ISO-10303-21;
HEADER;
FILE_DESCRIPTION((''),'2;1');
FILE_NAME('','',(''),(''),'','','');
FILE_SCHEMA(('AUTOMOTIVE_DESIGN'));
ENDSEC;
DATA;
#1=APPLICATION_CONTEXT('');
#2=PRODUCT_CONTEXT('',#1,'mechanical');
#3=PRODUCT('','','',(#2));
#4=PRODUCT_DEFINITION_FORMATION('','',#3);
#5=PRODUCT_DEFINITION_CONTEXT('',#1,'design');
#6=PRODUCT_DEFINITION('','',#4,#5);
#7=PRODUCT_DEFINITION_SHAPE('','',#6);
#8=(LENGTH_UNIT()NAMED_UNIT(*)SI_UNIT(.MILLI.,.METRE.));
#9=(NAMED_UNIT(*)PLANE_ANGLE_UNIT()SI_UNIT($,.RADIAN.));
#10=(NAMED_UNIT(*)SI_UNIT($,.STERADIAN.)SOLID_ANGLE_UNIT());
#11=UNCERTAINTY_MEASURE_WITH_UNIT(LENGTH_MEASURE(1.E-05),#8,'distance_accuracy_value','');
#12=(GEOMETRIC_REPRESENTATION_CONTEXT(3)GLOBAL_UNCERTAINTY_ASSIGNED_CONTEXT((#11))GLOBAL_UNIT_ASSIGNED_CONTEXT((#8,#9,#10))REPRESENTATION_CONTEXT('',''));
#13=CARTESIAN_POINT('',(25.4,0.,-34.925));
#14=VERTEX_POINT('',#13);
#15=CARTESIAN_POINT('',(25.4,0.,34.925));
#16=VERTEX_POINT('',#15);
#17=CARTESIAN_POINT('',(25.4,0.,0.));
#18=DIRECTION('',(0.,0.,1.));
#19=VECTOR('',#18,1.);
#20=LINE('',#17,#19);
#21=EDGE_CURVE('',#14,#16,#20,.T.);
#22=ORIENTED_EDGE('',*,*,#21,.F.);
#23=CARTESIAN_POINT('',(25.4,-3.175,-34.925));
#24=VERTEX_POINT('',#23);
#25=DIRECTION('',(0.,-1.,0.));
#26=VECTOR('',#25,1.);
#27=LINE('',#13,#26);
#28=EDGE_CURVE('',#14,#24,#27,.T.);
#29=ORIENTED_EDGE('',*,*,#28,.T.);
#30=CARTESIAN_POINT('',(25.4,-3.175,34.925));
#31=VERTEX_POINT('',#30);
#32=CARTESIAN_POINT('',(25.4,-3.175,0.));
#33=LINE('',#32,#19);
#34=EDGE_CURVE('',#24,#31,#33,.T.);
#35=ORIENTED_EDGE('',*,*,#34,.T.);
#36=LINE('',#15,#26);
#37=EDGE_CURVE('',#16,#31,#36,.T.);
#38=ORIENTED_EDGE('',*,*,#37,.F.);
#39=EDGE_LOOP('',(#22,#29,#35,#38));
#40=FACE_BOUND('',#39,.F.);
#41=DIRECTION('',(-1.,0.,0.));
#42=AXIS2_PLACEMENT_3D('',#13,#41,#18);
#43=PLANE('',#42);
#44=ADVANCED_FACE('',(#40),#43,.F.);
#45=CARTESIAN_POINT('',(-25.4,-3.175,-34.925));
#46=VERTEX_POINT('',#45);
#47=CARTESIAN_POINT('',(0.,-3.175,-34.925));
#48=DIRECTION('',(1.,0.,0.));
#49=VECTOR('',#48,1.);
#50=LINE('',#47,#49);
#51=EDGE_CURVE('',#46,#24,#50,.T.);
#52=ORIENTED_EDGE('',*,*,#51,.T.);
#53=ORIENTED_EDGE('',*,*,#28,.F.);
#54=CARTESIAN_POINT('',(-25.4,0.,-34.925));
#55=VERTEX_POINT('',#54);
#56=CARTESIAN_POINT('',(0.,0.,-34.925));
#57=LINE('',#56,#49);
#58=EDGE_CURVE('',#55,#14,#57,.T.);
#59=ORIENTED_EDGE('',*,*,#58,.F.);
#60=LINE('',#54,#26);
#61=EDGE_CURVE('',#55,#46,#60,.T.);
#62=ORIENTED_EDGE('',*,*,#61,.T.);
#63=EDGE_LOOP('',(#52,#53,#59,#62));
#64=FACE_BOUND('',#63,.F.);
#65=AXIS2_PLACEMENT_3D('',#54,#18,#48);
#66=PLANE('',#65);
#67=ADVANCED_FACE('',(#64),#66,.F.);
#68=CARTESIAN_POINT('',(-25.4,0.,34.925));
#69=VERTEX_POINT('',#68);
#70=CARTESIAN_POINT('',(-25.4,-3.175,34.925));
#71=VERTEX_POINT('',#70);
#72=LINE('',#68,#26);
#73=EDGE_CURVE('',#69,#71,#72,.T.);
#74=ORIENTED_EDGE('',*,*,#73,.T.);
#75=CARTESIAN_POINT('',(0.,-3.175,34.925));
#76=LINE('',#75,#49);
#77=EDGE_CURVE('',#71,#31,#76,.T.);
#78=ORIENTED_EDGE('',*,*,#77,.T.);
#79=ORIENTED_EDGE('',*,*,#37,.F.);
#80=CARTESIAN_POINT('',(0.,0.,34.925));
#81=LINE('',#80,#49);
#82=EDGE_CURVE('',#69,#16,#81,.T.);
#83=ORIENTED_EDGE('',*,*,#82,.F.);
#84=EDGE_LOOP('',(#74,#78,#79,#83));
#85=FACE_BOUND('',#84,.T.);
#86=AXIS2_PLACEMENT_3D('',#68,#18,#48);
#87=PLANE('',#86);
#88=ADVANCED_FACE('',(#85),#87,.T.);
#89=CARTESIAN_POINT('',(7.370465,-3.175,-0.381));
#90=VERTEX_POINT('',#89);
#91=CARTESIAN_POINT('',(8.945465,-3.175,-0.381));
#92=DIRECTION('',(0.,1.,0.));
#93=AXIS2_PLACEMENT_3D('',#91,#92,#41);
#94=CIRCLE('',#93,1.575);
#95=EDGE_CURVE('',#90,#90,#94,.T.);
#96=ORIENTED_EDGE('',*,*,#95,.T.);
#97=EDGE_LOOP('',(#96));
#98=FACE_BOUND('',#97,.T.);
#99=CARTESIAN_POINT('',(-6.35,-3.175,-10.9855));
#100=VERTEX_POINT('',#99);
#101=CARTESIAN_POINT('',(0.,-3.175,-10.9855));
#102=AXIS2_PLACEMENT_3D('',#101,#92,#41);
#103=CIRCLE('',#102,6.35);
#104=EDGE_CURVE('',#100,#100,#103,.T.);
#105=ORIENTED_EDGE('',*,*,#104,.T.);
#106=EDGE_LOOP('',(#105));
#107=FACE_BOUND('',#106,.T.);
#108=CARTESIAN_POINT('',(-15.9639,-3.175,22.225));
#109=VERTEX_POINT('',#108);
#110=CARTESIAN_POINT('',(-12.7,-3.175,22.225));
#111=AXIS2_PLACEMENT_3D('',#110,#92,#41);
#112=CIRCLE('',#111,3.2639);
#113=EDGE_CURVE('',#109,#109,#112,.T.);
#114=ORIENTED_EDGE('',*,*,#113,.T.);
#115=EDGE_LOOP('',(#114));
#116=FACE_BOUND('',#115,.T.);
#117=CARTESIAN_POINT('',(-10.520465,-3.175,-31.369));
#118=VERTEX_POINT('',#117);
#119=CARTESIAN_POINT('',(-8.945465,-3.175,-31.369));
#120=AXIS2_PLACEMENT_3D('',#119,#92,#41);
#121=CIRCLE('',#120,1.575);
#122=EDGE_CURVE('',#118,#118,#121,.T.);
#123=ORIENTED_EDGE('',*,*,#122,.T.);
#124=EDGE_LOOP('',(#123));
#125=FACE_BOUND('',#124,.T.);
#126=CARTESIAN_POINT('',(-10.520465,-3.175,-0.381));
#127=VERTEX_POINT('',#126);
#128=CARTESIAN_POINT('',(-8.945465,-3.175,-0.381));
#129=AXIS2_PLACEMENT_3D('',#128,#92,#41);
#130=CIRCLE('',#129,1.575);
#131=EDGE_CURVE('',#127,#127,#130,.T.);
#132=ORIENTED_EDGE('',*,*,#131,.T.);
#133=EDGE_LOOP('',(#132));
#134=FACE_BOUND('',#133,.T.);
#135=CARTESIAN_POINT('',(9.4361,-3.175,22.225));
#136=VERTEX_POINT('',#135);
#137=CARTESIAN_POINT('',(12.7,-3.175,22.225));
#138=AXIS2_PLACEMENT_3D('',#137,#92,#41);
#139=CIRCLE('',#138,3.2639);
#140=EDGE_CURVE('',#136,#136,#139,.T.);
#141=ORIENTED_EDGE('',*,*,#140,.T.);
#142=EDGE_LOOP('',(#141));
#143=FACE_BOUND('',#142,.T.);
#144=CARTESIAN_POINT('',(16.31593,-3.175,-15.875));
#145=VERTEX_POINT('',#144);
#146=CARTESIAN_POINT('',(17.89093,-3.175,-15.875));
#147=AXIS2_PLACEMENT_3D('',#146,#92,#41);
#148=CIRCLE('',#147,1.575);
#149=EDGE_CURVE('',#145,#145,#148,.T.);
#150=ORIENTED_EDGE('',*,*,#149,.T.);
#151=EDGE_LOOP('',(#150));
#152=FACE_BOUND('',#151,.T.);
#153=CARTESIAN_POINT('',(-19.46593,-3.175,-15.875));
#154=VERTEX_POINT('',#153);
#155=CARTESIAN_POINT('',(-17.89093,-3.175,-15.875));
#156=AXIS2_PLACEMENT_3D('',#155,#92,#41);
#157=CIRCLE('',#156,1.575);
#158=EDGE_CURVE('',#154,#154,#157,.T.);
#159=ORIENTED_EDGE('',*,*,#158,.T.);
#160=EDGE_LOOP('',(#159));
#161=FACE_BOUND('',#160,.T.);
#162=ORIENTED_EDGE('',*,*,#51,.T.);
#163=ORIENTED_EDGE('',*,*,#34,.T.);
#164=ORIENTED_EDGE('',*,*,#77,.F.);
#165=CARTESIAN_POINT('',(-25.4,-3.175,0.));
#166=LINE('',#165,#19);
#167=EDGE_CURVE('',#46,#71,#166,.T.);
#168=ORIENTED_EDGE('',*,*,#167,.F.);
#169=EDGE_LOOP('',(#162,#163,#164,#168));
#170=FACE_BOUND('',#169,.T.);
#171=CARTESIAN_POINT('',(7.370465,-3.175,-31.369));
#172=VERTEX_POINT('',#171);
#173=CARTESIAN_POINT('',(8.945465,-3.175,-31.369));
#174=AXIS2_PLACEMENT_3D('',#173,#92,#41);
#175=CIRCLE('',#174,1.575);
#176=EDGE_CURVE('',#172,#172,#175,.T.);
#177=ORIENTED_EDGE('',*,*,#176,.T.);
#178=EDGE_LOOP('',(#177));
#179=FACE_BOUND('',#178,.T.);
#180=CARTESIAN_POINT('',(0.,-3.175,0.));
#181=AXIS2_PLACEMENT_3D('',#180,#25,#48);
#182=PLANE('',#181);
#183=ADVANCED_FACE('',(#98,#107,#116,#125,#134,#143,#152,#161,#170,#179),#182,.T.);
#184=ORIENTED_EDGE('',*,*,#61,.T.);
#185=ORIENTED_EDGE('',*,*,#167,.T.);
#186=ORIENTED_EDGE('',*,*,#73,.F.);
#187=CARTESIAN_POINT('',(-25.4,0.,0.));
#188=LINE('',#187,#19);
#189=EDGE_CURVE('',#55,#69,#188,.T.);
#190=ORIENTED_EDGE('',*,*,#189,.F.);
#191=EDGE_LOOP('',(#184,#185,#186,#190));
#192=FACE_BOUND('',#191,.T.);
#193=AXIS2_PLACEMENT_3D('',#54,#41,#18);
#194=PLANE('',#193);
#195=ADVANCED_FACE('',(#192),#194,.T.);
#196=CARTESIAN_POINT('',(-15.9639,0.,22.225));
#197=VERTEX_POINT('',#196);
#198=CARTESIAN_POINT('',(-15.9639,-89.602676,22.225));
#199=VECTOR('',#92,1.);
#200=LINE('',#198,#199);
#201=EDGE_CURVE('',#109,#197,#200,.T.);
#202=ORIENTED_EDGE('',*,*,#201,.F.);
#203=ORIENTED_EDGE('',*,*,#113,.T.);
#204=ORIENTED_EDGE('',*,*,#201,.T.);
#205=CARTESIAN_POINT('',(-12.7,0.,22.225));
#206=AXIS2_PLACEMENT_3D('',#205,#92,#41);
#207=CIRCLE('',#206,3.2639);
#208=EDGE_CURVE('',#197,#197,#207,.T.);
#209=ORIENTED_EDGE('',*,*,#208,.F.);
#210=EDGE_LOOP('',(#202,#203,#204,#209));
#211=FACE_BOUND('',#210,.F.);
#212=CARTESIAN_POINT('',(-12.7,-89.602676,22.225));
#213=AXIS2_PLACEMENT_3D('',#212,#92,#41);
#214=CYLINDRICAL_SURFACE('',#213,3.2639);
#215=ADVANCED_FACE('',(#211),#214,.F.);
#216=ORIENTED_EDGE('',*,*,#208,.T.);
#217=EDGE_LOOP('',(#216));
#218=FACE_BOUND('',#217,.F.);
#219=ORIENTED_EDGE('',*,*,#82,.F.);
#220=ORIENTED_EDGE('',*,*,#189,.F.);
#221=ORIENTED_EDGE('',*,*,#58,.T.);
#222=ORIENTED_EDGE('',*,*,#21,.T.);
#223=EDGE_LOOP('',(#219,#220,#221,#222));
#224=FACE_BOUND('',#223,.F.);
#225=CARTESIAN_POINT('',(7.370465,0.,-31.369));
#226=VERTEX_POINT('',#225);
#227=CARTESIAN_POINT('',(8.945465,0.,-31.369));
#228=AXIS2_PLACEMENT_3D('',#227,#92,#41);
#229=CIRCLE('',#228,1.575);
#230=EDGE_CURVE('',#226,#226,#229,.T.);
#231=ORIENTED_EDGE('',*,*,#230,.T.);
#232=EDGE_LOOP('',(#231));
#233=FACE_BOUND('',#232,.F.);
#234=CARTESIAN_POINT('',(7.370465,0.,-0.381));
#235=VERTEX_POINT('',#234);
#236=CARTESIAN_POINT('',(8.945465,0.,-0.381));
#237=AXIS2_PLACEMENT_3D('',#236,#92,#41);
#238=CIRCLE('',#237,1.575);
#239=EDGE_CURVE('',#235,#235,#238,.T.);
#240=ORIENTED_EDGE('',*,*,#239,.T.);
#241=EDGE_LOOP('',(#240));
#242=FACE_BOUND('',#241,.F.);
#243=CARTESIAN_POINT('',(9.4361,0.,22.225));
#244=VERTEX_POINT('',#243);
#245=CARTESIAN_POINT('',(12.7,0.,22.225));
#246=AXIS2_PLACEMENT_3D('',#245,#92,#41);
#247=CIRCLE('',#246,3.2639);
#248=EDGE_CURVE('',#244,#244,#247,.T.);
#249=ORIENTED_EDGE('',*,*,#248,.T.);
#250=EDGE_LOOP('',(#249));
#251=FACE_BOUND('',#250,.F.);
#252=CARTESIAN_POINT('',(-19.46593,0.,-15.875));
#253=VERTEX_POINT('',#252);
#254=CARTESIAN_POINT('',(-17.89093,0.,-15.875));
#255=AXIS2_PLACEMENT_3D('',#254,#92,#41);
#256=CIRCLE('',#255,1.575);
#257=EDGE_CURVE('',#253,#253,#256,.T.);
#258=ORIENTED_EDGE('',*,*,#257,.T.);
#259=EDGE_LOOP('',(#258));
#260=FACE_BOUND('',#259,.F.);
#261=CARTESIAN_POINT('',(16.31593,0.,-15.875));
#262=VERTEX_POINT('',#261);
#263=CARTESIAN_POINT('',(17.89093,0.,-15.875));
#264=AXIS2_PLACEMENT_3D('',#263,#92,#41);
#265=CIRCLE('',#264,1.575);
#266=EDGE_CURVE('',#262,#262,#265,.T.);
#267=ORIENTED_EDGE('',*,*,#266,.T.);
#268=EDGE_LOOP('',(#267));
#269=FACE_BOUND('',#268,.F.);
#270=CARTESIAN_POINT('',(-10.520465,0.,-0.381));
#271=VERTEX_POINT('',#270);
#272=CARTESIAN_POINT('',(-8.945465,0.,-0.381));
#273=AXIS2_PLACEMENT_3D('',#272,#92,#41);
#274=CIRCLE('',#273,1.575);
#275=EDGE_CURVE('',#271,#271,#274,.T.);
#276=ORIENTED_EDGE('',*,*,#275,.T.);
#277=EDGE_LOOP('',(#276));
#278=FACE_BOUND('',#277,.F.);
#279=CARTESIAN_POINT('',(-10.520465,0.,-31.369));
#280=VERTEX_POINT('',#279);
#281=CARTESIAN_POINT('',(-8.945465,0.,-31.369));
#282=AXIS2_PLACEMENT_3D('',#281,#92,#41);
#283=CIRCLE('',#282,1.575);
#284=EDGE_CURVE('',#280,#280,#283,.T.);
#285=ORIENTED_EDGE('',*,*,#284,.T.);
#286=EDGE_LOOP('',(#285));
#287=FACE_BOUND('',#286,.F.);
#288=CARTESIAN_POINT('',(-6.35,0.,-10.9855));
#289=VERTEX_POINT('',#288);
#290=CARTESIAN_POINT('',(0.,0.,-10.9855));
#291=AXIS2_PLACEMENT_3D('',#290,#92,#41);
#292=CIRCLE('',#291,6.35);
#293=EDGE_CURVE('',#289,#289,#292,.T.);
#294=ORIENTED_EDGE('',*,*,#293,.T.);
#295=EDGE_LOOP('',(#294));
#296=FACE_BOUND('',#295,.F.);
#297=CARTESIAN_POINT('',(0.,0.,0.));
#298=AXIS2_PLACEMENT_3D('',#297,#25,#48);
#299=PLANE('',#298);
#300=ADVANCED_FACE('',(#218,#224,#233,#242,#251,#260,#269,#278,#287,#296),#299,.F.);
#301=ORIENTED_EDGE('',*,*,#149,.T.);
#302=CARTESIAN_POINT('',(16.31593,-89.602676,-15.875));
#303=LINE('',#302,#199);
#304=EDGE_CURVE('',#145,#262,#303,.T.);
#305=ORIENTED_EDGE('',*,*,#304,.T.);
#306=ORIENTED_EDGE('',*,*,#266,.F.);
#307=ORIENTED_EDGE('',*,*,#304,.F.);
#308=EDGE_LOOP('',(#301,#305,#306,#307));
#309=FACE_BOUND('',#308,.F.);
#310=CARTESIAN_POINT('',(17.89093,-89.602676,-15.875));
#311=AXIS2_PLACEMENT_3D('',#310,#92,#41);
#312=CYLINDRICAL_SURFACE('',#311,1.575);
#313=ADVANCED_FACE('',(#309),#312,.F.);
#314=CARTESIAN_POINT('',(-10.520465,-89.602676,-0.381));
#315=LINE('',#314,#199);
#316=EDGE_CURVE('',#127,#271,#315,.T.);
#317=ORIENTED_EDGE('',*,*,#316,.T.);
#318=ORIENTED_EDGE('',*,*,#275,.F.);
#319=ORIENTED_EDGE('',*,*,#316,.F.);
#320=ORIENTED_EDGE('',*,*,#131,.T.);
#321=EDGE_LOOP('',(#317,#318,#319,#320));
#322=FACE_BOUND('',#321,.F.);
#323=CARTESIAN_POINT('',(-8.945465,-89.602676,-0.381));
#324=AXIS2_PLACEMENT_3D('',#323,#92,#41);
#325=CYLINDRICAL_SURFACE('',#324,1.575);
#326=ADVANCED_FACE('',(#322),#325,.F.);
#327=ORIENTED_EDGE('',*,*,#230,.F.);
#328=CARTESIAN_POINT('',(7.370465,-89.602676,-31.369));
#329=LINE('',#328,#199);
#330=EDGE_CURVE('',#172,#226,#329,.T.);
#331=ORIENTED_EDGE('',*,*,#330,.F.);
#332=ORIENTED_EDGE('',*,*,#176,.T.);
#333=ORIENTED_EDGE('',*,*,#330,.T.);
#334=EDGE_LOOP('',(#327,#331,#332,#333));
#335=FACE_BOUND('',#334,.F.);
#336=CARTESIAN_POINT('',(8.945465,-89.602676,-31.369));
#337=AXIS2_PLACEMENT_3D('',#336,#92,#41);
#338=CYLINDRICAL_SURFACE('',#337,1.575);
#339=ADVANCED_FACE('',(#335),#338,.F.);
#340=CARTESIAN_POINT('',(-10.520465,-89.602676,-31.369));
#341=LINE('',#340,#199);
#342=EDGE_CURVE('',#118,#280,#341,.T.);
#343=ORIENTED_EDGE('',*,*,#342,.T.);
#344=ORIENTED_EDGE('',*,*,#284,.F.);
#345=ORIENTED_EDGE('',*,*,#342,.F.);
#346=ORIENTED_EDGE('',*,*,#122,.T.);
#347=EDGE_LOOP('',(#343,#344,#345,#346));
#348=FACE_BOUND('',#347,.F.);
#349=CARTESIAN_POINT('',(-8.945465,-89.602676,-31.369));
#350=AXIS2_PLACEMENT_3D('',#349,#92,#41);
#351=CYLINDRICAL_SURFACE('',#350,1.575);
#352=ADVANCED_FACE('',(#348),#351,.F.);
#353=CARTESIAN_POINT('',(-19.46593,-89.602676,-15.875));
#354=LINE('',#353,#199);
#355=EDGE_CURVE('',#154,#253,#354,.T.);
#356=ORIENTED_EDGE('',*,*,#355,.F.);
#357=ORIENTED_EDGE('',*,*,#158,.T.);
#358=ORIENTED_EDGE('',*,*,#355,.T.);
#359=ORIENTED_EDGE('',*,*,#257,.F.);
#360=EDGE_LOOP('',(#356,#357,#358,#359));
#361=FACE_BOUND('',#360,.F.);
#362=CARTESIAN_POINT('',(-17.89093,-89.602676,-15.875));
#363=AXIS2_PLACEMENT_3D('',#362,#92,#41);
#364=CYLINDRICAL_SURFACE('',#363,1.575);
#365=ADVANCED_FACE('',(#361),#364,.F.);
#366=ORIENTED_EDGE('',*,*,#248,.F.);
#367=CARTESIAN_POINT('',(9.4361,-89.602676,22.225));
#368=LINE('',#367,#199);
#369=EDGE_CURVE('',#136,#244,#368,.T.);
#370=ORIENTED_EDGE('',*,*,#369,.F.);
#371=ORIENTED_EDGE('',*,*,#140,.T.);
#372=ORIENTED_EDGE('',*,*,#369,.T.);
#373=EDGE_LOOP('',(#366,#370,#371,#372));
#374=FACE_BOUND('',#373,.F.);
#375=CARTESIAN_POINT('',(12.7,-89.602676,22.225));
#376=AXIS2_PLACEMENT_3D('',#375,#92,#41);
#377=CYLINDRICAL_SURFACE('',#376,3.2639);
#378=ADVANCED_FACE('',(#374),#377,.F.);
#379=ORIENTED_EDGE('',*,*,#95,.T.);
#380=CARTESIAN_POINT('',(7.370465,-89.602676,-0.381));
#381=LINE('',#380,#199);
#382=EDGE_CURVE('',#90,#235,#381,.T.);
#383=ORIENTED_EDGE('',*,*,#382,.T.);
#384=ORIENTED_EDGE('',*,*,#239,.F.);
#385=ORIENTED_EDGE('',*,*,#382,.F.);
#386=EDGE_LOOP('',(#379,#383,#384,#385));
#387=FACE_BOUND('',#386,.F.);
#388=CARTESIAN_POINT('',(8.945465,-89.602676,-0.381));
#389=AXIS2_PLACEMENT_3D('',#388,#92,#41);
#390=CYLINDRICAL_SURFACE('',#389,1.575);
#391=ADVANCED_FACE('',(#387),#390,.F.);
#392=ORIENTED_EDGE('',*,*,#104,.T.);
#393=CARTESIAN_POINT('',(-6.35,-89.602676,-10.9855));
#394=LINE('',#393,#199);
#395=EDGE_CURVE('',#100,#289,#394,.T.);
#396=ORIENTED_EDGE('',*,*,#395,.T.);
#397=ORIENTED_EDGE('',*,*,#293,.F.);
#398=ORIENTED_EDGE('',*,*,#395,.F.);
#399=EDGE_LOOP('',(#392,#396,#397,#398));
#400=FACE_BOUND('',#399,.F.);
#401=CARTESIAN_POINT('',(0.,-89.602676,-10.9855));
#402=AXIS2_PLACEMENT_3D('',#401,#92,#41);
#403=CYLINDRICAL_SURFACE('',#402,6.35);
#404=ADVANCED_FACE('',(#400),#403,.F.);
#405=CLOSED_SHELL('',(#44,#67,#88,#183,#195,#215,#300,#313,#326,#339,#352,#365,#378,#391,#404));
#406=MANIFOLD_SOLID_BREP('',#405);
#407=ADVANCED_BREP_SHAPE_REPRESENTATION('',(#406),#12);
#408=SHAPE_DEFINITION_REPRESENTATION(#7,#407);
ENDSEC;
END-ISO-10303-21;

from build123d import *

# Parameters (mm, degrees)
F0_W     = 50.8
F0_H     = 69.85
F1_DEPTH = 3.175
F3_D     = 6.5278
F5_D     = 3.15
F7_D     = 12.7


with BuildPart() as f1:
    # F0 (on Front) → F1 (new body)
    with BuildSketch(Plane.XZ):
        Rectangle(F0_W, F0_H)
    extrude(amount=F1_DEPTH)

    # F3 (through all)
    with Locations(Plane.XZ.offset(3.175)):
        with Locations((-12.7, 22.225), (12.7, 22.225)):
            Hole(F3_D / 2)

    # F5 (through all)
    with Locations(Plane.XZ.offset(3.175)):
        with Locations((-8.9454650708, -0.381), (8.9454650708, -0.381), (17.8909301416, -15.875), (8.9454650708, -31.369), (-8.9454650708, -31.369), (-17.8909301416, -15.875)):
            Hole(F5_D / 2)

    # F7 (through all)
    with Locations(Plane.XZ.offset(3.175)):
        with Locations((0, -10.9855)):
            Hole(F7_D / 2)


solid = f1.part
